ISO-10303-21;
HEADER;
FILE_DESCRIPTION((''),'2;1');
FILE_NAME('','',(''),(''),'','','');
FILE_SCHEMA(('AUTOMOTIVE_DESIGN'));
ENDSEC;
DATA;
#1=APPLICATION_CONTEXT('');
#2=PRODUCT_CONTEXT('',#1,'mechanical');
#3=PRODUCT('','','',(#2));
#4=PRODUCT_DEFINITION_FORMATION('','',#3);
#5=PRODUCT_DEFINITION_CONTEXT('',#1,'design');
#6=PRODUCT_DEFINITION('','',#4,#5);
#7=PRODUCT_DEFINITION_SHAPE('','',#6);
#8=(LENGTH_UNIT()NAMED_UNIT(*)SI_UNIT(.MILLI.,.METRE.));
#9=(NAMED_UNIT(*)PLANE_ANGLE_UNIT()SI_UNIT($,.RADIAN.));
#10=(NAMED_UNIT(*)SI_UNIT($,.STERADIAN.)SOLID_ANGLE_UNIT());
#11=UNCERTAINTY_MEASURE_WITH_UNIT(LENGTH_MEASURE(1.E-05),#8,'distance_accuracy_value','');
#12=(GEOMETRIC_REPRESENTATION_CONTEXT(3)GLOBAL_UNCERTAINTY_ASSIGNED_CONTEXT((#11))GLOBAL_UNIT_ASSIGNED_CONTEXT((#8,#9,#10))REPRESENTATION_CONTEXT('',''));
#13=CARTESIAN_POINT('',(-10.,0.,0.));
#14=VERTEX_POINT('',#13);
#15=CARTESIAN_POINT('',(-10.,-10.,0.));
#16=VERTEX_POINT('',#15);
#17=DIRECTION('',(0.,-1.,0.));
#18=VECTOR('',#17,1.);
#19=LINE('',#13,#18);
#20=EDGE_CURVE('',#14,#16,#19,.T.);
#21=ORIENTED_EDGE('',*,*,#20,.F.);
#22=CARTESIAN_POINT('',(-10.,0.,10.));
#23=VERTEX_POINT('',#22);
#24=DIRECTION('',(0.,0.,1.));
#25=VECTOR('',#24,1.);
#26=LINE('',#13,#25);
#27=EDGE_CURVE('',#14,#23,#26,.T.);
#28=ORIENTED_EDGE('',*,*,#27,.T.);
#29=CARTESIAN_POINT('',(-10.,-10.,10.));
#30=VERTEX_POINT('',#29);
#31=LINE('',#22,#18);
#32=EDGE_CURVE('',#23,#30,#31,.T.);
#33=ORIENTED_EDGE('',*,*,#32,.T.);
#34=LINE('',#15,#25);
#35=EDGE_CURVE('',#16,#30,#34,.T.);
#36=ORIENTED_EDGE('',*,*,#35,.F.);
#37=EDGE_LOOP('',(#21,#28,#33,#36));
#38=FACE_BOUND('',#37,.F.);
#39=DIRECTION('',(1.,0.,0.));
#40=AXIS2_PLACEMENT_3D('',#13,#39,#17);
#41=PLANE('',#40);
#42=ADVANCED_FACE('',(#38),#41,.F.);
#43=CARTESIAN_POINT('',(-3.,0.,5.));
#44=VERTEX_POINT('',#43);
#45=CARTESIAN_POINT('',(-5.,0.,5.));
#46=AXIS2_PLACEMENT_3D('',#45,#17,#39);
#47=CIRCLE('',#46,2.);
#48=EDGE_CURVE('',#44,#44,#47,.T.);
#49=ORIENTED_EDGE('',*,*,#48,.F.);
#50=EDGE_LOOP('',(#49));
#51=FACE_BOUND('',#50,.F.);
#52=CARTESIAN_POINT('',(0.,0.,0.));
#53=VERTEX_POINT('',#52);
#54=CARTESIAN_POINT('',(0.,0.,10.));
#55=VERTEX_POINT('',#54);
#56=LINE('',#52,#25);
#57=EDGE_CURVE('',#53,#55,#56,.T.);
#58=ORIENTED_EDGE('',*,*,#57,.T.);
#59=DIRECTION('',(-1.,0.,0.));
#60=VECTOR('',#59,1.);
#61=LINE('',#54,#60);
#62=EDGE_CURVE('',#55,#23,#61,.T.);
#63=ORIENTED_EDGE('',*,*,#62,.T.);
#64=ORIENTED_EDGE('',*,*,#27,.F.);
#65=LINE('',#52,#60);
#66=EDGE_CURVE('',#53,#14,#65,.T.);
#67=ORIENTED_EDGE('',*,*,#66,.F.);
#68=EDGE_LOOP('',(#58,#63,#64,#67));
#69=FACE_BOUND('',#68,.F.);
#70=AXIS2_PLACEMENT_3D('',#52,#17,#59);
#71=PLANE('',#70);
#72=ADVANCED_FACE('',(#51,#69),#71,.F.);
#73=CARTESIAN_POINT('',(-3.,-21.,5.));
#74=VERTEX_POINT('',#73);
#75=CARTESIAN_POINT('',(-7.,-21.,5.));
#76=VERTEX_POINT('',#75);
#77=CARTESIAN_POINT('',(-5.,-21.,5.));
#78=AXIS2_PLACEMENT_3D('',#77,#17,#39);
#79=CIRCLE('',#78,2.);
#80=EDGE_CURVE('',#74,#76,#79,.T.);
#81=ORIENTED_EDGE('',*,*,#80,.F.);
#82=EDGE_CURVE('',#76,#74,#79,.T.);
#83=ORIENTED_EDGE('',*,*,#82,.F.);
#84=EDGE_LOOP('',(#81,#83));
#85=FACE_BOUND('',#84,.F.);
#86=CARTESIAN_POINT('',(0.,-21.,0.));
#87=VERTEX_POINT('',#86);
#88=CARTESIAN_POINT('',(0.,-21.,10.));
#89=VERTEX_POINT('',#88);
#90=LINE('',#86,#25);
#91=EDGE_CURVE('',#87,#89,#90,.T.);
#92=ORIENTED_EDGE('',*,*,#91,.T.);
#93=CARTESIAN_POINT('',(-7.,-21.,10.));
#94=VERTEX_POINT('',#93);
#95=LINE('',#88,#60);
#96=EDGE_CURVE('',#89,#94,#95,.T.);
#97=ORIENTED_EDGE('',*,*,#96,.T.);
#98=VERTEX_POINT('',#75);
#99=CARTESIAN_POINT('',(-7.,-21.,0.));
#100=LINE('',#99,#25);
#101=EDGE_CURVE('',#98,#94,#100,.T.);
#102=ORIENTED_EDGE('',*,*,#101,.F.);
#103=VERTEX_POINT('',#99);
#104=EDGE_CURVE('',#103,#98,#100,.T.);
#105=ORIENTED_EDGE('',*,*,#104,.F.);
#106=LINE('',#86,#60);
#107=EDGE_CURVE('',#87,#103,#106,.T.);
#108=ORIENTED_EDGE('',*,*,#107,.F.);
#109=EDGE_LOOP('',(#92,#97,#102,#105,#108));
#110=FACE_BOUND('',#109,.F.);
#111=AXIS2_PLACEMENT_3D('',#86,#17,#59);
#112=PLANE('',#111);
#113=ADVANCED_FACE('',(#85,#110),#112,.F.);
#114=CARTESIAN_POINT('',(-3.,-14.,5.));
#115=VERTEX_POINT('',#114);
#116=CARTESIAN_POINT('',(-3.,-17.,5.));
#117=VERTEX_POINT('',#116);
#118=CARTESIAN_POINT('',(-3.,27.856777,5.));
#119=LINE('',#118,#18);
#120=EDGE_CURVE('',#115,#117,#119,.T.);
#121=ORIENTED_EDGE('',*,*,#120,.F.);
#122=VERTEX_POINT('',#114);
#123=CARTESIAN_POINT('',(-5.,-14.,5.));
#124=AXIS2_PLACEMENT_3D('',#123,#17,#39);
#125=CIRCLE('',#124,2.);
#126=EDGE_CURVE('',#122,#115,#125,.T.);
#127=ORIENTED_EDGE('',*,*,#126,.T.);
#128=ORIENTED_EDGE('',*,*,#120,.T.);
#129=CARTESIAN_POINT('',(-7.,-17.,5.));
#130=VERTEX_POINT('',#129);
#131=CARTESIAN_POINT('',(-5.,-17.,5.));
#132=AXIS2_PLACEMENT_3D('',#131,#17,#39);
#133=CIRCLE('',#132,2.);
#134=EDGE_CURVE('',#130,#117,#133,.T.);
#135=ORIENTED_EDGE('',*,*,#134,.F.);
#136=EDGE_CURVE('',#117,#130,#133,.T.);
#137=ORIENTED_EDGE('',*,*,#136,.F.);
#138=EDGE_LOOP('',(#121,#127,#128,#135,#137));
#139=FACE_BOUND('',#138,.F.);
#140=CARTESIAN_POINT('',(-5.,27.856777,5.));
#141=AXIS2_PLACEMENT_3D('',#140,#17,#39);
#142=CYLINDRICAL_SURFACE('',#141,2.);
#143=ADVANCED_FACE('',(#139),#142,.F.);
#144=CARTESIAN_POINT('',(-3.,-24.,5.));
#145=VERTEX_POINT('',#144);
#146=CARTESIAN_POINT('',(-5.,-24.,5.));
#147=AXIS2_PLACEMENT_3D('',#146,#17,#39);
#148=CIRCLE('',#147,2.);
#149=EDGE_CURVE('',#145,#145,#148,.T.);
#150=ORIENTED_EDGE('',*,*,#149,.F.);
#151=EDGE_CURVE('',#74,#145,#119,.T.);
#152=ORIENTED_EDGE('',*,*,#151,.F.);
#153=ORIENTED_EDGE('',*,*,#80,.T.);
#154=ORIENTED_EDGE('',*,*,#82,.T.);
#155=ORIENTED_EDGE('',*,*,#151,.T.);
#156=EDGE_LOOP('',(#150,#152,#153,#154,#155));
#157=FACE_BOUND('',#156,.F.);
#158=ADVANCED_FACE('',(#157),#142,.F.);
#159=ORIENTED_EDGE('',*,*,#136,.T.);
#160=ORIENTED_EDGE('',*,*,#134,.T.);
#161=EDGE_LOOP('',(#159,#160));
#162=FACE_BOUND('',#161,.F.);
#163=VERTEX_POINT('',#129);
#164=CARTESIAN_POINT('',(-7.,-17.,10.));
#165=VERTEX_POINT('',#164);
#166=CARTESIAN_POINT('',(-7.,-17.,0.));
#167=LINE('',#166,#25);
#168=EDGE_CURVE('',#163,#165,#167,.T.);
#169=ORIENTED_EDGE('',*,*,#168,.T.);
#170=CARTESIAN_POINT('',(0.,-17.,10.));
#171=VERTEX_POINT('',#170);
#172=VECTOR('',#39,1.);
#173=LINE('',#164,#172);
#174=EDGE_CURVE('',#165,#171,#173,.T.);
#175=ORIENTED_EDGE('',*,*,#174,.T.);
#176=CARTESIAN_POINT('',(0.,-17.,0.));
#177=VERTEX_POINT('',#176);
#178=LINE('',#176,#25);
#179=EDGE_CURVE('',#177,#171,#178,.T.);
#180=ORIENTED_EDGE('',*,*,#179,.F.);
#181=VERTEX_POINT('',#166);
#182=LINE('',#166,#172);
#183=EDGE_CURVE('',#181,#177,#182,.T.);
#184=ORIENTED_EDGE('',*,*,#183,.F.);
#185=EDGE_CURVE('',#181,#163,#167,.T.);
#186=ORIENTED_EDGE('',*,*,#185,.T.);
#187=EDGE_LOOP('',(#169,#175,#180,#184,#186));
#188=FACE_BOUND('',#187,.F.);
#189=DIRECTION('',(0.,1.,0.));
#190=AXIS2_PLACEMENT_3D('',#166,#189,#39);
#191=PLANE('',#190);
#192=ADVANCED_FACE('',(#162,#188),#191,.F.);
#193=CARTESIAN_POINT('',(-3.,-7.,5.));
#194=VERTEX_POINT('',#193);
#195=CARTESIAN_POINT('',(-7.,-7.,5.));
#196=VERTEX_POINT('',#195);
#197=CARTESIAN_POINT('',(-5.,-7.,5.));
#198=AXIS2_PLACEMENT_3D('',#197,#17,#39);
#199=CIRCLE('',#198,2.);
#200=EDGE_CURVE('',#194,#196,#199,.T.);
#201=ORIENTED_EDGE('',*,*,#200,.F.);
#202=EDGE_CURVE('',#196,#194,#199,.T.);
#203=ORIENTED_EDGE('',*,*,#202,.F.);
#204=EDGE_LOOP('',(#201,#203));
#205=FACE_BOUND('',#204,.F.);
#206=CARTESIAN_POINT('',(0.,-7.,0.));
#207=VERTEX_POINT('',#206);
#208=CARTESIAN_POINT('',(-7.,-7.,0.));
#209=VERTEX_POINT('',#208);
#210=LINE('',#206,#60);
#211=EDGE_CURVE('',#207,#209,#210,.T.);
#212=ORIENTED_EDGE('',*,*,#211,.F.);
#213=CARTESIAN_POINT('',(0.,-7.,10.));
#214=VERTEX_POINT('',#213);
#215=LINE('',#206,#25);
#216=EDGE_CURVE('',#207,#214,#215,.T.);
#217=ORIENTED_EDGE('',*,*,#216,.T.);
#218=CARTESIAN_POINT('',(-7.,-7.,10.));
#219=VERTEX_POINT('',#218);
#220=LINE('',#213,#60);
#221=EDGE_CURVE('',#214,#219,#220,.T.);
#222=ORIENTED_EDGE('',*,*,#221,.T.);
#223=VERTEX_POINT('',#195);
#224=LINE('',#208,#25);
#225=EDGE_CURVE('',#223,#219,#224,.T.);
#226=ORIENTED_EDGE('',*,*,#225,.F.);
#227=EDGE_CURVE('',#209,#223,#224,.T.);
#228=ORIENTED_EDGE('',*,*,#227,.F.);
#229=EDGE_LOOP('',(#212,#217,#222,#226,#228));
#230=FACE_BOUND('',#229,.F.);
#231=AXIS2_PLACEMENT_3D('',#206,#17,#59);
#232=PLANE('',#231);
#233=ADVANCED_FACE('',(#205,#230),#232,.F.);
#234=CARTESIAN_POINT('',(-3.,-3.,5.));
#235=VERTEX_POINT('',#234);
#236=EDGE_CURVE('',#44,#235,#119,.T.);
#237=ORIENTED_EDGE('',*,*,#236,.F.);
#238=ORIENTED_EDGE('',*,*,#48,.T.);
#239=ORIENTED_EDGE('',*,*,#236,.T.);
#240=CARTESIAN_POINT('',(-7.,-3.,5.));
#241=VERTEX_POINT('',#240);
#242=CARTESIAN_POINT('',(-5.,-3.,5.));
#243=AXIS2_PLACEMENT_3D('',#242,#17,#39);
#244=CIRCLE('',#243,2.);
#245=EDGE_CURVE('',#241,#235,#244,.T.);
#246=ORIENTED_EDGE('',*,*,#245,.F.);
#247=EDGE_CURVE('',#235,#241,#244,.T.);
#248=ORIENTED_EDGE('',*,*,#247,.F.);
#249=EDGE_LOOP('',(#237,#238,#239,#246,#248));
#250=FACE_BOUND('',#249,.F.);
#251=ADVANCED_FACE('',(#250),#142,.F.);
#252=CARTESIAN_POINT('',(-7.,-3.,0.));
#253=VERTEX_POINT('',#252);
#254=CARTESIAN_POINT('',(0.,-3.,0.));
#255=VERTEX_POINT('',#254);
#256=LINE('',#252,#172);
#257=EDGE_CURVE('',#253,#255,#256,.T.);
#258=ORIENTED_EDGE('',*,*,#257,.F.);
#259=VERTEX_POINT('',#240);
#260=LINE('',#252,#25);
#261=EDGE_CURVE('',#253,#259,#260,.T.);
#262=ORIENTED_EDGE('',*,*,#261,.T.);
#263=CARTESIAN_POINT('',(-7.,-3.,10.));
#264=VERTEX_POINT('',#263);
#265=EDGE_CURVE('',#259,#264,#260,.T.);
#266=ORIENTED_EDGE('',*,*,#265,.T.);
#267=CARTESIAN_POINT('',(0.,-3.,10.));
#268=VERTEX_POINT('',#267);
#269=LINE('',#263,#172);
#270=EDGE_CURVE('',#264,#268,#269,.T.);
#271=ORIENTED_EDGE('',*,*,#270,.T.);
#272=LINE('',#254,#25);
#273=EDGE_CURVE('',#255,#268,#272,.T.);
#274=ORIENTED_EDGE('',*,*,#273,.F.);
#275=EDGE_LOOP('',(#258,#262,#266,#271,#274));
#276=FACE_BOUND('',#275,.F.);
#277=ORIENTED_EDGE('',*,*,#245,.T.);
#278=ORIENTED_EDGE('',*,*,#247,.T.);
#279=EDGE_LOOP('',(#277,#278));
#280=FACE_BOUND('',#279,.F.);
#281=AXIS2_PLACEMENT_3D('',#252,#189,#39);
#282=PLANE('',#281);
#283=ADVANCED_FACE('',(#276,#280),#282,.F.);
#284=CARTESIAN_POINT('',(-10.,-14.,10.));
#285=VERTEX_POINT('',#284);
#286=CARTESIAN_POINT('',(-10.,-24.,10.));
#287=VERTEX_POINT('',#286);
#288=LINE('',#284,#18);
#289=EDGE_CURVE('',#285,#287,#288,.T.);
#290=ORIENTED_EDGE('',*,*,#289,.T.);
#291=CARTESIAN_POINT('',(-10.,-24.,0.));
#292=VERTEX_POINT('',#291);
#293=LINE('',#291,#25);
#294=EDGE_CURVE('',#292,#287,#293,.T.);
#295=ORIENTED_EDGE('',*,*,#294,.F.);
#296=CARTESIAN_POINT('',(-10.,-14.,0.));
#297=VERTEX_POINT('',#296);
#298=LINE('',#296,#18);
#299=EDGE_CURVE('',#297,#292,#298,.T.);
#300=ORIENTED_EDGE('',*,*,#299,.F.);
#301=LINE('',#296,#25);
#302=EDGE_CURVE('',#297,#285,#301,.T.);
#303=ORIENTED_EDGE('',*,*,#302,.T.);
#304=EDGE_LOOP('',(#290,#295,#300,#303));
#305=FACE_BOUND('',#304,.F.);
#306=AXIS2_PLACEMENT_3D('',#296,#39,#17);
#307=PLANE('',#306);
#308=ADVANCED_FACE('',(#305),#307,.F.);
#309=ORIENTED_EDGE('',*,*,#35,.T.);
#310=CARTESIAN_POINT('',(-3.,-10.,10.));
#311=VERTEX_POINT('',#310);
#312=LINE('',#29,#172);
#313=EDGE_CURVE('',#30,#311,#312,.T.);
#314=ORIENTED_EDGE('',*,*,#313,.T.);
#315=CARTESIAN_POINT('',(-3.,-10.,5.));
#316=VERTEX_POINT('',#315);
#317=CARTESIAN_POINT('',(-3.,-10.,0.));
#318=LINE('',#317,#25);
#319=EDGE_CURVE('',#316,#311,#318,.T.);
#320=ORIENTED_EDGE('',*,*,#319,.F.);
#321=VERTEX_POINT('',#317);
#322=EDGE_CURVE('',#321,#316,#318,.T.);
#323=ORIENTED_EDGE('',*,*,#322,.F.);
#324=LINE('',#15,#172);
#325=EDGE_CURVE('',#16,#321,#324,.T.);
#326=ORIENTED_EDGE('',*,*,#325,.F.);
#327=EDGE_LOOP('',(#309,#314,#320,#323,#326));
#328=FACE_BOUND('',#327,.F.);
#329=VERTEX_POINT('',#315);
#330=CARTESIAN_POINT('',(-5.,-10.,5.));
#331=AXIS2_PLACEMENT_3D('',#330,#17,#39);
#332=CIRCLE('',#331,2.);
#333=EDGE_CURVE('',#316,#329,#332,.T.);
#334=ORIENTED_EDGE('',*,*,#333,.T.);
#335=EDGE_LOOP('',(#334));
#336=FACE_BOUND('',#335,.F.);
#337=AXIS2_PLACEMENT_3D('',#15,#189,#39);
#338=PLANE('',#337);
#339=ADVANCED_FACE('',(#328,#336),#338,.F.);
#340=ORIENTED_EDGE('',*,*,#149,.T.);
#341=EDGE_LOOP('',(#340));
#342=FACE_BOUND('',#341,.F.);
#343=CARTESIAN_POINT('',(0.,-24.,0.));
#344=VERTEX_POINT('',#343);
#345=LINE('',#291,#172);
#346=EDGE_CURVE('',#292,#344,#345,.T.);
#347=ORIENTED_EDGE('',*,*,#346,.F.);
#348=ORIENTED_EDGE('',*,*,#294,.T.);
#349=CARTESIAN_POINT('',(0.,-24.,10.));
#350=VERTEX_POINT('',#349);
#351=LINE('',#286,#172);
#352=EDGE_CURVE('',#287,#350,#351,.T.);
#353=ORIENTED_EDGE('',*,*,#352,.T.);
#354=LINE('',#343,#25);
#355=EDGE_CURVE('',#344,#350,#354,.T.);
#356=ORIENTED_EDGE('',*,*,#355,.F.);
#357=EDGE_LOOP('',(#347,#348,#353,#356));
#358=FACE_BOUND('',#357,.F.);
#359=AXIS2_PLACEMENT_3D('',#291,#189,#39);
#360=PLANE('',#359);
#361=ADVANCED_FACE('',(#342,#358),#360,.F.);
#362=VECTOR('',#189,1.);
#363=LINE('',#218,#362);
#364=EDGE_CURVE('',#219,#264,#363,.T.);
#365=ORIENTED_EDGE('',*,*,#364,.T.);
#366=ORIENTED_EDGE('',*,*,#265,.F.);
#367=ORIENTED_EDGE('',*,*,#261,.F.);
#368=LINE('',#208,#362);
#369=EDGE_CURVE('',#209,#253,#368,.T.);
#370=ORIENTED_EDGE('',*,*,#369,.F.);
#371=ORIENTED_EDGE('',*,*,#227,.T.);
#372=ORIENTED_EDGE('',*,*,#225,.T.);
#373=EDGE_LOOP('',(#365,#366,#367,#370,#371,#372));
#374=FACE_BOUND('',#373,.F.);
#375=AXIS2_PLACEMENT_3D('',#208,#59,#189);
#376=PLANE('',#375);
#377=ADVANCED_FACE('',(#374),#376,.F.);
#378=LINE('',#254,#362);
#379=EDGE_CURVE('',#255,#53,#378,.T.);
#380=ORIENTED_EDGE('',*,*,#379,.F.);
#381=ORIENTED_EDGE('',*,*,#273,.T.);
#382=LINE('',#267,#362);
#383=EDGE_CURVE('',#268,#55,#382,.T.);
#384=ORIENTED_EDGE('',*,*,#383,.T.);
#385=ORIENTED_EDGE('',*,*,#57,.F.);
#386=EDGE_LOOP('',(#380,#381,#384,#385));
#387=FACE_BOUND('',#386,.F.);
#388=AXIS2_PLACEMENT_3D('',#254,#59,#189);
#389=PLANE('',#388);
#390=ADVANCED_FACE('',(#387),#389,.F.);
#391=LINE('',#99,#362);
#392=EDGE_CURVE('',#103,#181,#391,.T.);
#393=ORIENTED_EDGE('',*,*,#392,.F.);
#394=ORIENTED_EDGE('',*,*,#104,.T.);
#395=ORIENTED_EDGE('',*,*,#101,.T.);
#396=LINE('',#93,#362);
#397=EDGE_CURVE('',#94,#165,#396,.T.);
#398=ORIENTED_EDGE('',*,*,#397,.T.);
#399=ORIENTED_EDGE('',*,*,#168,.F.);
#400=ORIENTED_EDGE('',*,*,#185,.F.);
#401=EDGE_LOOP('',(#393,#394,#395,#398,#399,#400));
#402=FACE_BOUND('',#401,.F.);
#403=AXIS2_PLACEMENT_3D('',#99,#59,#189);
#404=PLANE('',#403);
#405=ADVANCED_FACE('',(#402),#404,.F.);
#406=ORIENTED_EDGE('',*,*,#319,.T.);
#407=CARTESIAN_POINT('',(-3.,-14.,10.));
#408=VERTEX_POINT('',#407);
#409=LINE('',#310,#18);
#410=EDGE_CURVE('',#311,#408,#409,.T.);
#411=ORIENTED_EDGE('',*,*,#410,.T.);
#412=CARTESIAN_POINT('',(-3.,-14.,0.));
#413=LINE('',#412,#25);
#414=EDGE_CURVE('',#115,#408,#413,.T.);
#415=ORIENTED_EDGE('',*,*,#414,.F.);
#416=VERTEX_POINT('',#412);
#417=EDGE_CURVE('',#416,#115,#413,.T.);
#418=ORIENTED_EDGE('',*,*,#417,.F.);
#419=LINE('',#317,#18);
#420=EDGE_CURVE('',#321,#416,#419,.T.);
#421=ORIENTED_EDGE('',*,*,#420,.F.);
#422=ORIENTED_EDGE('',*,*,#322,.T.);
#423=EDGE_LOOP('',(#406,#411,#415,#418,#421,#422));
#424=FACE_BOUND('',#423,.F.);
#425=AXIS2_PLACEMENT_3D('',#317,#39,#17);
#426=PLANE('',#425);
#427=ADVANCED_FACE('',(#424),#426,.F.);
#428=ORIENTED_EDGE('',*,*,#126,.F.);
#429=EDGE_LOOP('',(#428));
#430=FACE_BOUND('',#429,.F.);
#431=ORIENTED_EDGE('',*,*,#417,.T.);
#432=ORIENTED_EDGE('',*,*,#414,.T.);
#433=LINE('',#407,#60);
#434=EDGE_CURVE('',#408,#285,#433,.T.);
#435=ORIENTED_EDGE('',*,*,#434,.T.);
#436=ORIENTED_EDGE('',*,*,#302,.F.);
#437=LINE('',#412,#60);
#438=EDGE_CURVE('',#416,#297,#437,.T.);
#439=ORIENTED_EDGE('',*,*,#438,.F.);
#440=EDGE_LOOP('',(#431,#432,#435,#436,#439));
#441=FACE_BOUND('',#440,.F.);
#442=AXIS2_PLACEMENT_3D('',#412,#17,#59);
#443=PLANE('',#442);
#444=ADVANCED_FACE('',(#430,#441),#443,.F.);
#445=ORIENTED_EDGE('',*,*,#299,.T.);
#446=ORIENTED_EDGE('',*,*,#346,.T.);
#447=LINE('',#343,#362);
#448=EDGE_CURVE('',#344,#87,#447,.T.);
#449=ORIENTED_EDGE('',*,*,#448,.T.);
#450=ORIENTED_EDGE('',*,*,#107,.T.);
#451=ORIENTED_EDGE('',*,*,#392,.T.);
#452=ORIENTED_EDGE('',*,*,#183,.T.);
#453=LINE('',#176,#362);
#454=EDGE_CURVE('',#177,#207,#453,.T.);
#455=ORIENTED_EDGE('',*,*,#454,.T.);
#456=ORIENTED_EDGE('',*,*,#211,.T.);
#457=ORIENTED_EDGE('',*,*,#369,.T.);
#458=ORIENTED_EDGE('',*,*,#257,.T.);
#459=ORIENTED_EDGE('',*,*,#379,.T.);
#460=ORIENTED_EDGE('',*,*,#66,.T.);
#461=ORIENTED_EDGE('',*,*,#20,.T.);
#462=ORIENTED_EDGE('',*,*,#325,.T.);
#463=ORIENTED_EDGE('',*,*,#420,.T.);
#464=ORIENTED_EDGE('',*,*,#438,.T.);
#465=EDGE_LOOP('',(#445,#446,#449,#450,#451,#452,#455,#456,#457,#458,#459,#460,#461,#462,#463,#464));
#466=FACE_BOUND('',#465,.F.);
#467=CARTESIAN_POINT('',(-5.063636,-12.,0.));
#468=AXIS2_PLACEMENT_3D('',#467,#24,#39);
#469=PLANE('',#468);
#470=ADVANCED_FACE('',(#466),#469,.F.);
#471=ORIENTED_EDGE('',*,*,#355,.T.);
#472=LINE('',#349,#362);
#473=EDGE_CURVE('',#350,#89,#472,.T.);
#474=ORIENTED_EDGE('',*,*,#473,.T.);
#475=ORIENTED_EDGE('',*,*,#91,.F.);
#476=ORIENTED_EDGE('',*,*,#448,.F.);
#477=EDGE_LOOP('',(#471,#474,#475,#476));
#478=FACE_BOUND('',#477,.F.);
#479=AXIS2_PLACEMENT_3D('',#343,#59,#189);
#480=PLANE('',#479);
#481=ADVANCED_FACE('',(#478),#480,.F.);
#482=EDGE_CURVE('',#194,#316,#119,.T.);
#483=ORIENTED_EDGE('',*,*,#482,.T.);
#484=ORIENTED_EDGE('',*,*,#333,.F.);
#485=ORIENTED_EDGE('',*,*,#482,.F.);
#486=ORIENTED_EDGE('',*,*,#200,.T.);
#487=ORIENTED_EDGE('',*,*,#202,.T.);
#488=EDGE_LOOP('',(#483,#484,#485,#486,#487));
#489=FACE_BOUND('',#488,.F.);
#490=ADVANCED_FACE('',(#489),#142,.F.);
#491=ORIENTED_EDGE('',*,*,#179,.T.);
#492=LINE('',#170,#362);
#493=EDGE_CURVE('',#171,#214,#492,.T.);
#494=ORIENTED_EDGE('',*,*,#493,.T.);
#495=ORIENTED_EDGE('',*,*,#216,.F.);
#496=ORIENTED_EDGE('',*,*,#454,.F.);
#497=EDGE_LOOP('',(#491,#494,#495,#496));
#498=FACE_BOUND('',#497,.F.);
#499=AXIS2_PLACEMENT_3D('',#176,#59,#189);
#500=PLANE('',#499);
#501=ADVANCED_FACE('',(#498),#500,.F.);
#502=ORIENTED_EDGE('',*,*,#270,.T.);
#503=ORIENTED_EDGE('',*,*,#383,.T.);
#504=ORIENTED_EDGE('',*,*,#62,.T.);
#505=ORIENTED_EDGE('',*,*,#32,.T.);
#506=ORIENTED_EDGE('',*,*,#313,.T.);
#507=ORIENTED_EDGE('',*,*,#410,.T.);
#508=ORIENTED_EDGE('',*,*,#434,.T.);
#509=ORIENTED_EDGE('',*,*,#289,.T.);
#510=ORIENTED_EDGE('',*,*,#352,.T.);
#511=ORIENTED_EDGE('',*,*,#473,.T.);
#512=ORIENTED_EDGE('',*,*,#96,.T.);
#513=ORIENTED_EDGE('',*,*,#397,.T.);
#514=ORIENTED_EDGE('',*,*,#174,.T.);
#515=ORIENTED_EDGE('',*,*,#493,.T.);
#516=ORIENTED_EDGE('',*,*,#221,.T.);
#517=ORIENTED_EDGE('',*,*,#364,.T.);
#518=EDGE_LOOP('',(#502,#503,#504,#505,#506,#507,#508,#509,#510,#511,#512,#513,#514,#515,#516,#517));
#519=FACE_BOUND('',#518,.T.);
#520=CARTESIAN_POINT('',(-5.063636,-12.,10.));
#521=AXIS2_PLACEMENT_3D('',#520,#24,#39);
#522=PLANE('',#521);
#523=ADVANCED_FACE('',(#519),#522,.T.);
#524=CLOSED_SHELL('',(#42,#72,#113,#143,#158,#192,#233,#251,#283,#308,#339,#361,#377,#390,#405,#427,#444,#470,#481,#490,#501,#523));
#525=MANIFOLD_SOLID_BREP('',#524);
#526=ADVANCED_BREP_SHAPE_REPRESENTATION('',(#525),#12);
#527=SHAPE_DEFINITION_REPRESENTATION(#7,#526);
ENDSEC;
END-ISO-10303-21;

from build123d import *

# Parameters (mm, degrees)
F1_DEPTH = 10
F3_D     = 4


with BuildPart() as f1:
    # F0 (on Top) → F1 (new body)
    with BuildSketch(Plane.XY):
        Polygon((0, -3), (0, 0), (-10, 0), (-10, -10), (-3, -10), (-3, -14), (-10, -14), (-10, -24), (0, -24), (0, -21), (-7, -21), (-7, -17), (0, -17), (0, -7), (-7, -7), (-7, -3), align=None)
    extrude(amount=F1_DEPTH)

    # F3 (through all)
    with Locations(Plane(origin=(0, 0, 0), x_dir=(-1, 0, 0), z_dir=(0, 1, 0))):
        with Locations((5, 5)):
            Hole(F3_D / 2)


solid = f1.part
